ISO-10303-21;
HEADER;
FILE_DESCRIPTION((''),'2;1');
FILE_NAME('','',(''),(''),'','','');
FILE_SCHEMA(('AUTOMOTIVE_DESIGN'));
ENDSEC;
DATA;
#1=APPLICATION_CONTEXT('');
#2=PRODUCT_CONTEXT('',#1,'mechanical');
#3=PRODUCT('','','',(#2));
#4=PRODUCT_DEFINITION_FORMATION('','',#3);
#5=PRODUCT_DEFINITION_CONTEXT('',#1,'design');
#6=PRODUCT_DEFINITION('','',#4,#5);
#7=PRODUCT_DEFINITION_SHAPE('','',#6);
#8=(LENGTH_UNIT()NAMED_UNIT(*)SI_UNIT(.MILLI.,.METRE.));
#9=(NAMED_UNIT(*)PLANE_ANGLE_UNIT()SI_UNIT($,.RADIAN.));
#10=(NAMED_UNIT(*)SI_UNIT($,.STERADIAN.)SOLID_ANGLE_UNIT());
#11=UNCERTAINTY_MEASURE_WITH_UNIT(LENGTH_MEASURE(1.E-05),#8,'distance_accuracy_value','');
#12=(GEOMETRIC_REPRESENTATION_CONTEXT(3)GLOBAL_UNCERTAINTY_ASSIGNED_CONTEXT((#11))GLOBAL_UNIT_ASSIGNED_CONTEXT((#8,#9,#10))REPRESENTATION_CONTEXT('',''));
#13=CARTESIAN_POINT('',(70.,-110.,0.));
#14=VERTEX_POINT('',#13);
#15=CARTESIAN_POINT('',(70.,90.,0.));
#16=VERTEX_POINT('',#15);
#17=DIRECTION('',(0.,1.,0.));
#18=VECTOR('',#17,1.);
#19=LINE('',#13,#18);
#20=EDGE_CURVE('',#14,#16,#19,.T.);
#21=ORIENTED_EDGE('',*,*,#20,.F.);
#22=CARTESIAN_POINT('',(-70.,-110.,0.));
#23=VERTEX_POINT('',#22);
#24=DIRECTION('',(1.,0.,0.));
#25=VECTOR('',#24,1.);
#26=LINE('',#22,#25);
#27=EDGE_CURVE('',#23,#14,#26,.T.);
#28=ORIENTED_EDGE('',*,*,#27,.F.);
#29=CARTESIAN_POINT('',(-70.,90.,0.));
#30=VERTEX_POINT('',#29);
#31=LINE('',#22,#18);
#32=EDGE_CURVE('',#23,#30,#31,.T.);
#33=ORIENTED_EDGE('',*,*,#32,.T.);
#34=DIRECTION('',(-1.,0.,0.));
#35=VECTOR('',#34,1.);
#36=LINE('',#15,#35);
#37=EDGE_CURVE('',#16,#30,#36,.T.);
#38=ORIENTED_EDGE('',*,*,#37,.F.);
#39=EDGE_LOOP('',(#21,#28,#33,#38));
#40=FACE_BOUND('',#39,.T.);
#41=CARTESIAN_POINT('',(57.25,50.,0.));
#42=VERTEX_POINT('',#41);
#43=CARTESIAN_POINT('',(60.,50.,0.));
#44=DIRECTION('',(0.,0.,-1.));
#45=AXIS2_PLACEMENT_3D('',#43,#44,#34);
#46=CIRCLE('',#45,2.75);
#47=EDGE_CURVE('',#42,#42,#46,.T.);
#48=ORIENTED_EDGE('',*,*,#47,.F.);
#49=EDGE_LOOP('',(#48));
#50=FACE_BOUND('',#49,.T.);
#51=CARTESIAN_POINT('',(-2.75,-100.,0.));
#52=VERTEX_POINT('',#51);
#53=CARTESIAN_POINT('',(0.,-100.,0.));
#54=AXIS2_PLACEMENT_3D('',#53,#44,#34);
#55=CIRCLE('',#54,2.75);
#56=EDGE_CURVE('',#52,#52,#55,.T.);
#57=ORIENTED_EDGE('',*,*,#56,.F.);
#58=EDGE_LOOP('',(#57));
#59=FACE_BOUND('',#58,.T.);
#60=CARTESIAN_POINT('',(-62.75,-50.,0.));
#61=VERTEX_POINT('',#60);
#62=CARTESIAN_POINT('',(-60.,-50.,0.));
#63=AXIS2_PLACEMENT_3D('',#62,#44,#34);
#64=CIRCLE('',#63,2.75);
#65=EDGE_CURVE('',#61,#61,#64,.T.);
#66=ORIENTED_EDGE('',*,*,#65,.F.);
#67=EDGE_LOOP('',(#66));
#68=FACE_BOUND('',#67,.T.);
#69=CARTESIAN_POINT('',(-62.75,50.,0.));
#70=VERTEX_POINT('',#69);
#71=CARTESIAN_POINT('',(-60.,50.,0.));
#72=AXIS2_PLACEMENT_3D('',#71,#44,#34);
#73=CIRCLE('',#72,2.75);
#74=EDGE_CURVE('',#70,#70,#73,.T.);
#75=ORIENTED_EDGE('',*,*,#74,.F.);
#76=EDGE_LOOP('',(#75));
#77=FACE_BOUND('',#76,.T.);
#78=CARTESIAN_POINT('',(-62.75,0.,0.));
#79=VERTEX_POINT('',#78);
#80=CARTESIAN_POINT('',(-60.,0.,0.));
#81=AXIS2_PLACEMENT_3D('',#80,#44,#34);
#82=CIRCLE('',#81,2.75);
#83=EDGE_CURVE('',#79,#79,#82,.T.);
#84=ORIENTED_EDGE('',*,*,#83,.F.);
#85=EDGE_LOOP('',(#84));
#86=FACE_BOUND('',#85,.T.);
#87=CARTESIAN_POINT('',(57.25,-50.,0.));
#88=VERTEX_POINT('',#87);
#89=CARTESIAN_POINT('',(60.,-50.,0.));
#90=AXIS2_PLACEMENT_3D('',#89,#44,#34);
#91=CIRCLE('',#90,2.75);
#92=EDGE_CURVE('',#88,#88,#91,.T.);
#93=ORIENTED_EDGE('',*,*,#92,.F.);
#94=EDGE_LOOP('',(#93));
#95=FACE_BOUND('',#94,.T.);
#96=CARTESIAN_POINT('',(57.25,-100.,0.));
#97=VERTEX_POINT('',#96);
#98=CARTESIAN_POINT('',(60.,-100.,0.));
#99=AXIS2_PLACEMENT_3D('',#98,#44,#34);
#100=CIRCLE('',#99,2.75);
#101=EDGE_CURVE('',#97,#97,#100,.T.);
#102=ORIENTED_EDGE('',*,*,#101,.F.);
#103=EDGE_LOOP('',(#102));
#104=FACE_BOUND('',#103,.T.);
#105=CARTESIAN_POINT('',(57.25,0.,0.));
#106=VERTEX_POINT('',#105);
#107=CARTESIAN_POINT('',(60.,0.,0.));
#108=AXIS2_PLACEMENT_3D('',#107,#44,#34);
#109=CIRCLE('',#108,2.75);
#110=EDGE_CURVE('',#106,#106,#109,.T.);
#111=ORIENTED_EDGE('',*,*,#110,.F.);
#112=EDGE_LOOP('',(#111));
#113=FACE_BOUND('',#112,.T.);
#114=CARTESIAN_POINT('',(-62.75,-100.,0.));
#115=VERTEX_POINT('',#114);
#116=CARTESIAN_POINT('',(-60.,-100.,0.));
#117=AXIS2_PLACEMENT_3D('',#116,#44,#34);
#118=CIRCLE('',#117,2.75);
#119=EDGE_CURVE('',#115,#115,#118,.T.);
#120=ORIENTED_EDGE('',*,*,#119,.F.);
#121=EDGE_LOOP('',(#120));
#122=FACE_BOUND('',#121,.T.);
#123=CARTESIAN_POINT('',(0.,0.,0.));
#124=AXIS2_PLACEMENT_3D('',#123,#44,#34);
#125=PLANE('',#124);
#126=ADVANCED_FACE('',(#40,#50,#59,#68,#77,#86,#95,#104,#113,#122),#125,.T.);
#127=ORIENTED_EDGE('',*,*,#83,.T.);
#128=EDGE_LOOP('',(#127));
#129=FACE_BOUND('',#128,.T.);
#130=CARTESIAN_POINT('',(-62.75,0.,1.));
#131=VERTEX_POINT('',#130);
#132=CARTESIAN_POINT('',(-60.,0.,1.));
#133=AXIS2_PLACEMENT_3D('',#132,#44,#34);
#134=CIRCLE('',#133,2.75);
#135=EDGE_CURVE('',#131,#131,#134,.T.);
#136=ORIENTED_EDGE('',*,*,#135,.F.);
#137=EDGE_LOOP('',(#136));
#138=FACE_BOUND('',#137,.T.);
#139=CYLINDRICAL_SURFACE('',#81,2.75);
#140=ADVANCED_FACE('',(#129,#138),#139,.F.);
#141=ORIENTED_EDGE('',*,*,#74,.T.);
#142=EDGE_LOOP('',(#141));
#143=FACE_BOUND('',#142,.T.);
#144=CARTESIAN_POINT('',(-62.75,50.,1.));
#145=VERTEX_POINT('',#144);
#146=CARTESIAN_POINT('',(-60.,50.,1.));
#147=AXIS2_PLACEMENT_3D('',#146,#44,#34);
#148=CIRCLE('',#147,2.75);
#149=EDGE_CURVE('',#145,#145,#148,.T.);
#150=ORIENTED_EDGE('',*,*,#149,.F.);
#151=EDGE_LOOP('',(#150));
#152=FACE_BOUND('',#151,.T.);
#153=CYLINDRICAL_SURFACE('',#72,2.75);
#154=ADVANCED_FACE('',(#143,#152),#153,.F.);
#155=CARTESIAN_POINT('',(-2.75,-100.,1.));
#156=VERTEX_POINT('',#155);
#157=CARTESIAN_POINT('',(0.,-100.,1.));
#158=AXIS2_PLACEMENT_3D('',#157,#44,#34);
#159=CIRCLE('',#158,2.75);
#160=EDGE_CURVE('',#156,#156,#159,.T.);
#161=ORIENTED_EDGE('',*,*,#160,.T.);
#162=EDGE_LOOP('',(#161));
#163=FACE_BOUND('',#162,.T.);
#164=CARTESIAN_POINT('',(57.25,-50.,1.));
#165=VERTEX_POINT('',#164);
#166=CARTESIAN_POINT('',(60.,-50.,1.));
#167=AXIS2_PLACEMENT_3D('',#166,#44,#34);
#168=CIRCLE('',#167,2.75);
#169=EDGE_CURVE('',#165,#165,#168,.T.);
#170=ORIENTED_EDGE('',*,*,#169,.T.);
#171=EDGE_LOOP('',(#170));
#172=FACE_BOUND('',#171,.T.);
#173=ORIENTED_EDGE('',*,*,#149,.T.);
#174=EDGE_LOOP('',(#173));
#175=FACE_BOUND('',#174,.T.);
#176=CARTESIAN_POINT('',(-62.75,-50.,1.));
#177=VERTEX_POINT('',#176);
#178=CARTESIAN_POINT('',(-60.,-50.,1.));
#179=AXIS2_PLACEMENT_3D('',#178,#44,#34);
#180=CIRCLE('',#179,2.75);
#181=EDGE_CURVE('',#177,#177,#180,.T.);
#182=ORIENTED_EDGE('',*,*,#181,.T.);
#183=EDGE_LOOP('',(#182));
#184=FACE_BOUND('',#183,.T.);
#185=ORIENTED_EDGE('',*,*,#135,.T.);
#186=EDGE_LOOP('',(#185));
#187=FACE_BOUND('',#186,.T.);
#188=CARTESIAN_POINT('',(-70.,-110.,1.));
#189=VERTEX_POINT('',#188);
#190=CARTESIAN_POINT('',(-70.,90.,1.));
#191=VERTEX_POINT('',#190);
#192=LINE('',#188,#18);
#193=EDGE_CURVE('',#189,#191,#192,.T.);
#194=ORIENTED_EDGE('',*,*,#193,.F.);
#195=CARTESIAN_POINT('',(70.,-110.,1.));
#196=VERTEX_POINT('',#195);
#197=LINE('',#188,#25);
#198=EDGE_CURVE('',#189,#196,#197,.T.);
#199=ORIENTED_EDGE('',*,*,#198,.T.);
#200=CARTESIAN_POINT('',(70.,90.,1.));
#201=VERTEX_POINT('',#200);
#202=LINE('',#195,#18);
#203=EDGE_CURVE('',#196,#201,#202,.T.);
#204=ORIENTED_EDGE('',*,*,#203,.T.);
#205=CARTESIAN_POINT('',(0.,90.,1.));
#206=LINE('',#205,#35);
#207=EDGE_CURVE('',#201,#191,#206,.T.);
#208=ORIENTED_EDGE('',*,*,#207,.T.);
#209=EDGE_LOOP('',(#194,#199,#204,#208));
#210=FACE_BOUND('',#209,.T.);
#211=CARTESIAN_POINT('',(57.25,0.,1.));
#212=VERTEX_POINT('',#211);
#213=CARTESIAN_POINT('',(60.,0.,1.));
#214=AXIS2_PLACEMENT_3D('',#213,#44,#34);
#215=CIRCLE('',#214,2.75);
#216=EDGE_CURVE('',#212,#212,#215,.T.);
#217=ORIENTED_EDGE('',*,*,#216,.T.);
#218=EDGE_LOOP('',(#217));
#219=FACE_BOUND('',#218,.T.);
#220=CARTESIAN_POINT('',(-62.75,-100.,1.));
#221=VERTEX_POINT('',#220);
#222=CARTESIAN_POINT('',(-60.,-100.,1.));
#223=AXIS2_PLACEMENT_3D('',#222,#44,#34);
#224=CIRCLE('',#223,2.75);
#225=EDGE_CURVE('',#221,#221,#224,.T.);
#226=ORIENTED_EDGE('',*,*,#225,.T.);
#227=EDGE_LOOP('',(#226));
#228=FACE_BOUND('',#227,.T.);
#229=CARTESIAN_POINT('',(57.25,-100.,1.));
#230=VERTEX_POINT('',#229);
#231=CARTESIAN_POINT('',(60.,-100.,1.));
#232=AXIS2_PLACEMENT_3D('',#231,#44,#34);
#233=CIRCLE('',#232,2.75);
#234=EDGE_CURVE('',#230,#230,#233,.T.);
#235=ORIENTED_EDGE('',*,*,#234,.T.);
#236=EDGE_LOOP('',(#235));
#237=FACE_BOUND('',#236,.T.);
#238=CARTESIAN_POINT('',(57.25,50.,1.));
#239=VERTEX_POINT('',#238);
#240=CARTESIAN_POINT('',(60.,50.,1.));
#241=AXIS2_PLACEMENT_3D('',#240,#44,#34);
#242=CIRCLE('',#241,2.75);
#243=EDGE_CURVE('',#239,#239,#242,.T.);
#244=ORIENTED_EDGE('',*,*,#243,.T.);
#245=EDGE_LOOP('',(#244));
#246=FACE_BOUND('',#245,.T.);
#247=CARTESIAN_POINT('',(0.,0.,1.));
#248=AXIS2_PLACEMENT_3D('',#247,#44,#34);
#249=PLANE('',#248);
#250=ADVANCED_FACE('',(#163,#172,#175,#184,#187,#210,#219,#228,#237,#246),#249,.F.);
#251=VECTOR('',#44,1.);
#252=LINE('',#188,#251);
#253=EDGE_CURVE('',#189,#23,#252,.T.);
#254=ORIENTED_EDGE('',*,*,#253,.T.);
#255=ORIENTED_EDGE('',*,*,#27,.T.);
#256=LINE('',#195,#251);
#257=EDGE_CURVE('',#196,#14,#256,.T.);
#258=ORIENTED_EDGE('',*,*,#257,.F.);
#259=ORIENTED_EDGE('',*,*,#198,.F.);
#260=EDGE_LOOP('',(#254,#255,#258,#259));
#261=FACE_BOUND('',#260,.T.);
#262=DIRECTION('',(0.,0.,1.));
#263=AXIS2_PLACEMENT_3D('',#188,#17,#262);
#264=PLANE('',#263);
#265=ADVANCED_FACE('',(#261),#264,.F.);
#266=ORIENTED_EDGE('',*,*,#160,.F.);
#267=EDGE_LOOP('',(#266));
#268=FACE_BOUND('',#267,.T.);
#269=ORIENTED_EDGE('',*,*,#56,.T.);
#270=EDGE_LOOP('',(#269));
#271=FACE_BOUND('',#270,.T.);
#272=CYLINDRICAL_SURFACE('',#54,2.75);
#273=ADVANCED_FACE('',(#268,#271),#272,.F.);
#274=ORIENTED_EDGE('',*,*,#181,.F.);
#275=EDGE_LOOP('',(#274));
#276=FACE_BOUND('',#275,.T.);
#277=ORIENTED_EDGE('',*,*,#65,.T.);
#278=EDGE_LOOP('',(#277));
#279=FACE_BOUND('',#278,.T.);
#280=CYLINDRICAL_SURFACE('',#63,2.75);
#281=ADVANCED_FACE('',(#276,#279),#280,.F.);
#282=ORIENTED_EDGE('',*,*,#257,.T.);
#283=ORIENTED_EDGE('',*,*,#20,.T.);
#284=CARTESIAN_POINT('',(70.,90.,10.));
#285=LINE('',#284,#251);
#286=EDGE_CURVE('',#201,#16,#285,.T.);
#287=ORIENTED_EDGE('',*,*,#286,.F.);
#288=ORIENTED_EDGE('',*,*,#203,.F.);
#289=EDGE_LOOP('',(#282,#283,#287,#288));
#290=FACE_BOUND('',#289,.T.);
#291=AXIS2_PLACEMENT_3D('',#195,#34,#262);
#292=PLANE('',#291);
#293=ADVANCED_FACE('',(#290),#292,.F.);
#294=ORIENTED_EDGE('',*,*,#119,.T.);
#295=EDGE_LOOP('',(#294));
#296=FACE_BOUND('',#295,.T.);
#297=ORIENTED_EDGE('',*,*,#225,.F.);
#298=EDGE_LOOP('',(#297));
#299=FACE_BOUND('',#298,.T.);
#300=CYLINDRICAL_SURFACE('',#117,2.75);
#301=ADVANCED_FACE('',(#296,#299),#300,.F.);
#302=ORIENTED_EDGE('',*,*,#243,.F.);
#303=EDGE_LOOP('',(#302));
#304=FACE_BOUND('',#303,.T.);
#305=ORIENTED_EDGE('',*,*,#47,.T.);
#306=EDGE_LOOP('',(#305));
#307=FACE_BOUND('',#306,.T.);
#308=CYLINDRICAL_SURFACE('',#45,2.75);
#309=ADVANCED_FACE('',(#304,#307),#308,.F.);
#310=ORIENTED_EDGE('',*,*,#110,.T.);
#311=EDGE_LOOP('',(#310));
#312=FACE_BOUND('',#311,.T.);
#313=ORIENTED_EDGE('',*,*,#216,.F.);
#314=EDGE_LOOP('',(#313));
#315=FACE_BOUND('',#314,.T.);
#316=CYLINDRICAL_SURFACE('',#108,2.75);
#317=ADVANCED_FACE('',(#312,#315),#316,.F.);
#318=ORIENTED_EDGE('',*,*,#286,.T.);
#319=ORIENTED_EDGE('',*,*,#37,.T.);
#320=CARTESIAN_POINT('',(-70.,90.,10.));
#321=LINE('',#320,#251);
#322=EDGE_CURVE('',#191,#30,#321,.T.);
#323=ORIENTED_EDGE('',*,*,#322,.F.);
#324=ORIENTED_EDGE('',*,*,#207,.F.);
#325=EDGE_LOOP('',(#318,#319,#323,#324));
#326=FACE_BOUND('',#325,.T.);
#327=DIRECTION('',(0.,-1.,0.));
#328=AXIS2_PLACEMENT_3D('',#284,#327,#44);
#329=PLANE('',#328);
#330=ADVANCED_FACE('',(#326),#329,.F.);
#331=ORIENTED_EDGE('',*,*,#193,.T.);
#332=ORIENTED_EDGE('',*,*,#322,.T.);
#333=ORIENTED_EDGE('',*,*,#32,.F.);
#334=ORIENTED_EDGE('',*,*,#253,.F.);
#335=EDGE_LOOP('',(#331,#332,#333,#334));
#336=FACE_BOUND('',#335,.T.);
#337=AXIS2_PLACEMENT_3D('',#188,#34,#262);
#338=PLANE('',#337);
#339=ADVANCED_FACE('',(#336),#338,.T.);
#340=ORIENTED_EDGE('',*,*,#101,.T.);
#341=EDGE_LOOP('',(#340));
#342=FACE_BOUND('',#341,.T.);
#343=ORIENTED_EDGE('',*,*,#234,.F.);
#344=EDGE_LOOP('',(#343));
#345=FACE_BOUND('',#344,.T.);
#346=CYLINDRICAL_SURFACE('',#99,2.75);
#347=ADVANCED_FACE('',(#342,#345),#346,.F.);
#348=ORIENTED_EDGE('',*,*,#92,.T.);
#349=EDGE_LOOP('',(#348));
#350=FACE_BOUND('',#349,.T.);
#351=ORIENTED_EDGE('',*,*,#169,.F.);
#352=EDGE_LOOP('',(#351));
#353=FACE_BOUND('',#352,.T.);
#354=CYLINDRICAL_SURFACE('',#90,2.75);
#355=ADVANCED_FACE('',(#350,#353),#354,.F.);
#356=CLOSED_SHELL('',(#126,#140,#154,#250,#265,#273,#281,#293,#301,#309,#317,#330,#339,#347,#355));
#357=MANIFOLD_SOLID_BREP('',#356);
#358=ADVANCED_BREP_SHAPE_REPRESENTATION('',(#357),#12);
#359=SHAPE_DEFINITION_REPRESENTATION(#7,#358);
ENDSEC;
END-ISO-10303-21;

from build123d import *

# Parameters (mm, degrees)
SKETCH_1_W          = 140
SKETCH_1_H          = 220
EXTRUDE_1_DEPTH     = 1
HOLE_WIZARD_M5_1_D  = 5.5
SKETCH_4_W          = 140
SKETCH_4_H          = 20
CUT_EXTRUDE_1_DEPTH = 10


with BuildPart() as part:
    # 스케치1 → 보스-돌출1 (new body)
    with BuildSketch(Plane.XY):
        Rectangle(SKETCH_1_W, SKETCH_1_H)
    extrude(amount=EXTRUDE_1_DEPTH)

    # M5 여유 구멍1 (through all)
    with Locations(Plane(origin=(0, 0, 0), x_dir=(-1, 0, 0), z_dir=(0, 0, -1))):
        with Locations((-60, 100), (0, 100), (60, 100), (60, 50), (60, -50), (60, 0), (60, -100), (-60, 50), (-60, -50), (-60, 0), (-60, -100), (0, -100)):
            Hole(HOLE_WIZARD_M5_1_D / 2)

    # 스케치4 → 컷-돌출1 (cut)
    with BuildSketch(Plane(origin=(0, 0, 0), x_dir=(-1, 0, 0), z_dir=(0, 0, -1))):
        with Locations((0, 100)):
            Rectangle(SKETCH_4_W, SKETCH_4_H)
    extrude(amount=-CUT_EXTRUDE_1_DEPTH, mode=Mode.SUBTRACT)


solid = part.part
